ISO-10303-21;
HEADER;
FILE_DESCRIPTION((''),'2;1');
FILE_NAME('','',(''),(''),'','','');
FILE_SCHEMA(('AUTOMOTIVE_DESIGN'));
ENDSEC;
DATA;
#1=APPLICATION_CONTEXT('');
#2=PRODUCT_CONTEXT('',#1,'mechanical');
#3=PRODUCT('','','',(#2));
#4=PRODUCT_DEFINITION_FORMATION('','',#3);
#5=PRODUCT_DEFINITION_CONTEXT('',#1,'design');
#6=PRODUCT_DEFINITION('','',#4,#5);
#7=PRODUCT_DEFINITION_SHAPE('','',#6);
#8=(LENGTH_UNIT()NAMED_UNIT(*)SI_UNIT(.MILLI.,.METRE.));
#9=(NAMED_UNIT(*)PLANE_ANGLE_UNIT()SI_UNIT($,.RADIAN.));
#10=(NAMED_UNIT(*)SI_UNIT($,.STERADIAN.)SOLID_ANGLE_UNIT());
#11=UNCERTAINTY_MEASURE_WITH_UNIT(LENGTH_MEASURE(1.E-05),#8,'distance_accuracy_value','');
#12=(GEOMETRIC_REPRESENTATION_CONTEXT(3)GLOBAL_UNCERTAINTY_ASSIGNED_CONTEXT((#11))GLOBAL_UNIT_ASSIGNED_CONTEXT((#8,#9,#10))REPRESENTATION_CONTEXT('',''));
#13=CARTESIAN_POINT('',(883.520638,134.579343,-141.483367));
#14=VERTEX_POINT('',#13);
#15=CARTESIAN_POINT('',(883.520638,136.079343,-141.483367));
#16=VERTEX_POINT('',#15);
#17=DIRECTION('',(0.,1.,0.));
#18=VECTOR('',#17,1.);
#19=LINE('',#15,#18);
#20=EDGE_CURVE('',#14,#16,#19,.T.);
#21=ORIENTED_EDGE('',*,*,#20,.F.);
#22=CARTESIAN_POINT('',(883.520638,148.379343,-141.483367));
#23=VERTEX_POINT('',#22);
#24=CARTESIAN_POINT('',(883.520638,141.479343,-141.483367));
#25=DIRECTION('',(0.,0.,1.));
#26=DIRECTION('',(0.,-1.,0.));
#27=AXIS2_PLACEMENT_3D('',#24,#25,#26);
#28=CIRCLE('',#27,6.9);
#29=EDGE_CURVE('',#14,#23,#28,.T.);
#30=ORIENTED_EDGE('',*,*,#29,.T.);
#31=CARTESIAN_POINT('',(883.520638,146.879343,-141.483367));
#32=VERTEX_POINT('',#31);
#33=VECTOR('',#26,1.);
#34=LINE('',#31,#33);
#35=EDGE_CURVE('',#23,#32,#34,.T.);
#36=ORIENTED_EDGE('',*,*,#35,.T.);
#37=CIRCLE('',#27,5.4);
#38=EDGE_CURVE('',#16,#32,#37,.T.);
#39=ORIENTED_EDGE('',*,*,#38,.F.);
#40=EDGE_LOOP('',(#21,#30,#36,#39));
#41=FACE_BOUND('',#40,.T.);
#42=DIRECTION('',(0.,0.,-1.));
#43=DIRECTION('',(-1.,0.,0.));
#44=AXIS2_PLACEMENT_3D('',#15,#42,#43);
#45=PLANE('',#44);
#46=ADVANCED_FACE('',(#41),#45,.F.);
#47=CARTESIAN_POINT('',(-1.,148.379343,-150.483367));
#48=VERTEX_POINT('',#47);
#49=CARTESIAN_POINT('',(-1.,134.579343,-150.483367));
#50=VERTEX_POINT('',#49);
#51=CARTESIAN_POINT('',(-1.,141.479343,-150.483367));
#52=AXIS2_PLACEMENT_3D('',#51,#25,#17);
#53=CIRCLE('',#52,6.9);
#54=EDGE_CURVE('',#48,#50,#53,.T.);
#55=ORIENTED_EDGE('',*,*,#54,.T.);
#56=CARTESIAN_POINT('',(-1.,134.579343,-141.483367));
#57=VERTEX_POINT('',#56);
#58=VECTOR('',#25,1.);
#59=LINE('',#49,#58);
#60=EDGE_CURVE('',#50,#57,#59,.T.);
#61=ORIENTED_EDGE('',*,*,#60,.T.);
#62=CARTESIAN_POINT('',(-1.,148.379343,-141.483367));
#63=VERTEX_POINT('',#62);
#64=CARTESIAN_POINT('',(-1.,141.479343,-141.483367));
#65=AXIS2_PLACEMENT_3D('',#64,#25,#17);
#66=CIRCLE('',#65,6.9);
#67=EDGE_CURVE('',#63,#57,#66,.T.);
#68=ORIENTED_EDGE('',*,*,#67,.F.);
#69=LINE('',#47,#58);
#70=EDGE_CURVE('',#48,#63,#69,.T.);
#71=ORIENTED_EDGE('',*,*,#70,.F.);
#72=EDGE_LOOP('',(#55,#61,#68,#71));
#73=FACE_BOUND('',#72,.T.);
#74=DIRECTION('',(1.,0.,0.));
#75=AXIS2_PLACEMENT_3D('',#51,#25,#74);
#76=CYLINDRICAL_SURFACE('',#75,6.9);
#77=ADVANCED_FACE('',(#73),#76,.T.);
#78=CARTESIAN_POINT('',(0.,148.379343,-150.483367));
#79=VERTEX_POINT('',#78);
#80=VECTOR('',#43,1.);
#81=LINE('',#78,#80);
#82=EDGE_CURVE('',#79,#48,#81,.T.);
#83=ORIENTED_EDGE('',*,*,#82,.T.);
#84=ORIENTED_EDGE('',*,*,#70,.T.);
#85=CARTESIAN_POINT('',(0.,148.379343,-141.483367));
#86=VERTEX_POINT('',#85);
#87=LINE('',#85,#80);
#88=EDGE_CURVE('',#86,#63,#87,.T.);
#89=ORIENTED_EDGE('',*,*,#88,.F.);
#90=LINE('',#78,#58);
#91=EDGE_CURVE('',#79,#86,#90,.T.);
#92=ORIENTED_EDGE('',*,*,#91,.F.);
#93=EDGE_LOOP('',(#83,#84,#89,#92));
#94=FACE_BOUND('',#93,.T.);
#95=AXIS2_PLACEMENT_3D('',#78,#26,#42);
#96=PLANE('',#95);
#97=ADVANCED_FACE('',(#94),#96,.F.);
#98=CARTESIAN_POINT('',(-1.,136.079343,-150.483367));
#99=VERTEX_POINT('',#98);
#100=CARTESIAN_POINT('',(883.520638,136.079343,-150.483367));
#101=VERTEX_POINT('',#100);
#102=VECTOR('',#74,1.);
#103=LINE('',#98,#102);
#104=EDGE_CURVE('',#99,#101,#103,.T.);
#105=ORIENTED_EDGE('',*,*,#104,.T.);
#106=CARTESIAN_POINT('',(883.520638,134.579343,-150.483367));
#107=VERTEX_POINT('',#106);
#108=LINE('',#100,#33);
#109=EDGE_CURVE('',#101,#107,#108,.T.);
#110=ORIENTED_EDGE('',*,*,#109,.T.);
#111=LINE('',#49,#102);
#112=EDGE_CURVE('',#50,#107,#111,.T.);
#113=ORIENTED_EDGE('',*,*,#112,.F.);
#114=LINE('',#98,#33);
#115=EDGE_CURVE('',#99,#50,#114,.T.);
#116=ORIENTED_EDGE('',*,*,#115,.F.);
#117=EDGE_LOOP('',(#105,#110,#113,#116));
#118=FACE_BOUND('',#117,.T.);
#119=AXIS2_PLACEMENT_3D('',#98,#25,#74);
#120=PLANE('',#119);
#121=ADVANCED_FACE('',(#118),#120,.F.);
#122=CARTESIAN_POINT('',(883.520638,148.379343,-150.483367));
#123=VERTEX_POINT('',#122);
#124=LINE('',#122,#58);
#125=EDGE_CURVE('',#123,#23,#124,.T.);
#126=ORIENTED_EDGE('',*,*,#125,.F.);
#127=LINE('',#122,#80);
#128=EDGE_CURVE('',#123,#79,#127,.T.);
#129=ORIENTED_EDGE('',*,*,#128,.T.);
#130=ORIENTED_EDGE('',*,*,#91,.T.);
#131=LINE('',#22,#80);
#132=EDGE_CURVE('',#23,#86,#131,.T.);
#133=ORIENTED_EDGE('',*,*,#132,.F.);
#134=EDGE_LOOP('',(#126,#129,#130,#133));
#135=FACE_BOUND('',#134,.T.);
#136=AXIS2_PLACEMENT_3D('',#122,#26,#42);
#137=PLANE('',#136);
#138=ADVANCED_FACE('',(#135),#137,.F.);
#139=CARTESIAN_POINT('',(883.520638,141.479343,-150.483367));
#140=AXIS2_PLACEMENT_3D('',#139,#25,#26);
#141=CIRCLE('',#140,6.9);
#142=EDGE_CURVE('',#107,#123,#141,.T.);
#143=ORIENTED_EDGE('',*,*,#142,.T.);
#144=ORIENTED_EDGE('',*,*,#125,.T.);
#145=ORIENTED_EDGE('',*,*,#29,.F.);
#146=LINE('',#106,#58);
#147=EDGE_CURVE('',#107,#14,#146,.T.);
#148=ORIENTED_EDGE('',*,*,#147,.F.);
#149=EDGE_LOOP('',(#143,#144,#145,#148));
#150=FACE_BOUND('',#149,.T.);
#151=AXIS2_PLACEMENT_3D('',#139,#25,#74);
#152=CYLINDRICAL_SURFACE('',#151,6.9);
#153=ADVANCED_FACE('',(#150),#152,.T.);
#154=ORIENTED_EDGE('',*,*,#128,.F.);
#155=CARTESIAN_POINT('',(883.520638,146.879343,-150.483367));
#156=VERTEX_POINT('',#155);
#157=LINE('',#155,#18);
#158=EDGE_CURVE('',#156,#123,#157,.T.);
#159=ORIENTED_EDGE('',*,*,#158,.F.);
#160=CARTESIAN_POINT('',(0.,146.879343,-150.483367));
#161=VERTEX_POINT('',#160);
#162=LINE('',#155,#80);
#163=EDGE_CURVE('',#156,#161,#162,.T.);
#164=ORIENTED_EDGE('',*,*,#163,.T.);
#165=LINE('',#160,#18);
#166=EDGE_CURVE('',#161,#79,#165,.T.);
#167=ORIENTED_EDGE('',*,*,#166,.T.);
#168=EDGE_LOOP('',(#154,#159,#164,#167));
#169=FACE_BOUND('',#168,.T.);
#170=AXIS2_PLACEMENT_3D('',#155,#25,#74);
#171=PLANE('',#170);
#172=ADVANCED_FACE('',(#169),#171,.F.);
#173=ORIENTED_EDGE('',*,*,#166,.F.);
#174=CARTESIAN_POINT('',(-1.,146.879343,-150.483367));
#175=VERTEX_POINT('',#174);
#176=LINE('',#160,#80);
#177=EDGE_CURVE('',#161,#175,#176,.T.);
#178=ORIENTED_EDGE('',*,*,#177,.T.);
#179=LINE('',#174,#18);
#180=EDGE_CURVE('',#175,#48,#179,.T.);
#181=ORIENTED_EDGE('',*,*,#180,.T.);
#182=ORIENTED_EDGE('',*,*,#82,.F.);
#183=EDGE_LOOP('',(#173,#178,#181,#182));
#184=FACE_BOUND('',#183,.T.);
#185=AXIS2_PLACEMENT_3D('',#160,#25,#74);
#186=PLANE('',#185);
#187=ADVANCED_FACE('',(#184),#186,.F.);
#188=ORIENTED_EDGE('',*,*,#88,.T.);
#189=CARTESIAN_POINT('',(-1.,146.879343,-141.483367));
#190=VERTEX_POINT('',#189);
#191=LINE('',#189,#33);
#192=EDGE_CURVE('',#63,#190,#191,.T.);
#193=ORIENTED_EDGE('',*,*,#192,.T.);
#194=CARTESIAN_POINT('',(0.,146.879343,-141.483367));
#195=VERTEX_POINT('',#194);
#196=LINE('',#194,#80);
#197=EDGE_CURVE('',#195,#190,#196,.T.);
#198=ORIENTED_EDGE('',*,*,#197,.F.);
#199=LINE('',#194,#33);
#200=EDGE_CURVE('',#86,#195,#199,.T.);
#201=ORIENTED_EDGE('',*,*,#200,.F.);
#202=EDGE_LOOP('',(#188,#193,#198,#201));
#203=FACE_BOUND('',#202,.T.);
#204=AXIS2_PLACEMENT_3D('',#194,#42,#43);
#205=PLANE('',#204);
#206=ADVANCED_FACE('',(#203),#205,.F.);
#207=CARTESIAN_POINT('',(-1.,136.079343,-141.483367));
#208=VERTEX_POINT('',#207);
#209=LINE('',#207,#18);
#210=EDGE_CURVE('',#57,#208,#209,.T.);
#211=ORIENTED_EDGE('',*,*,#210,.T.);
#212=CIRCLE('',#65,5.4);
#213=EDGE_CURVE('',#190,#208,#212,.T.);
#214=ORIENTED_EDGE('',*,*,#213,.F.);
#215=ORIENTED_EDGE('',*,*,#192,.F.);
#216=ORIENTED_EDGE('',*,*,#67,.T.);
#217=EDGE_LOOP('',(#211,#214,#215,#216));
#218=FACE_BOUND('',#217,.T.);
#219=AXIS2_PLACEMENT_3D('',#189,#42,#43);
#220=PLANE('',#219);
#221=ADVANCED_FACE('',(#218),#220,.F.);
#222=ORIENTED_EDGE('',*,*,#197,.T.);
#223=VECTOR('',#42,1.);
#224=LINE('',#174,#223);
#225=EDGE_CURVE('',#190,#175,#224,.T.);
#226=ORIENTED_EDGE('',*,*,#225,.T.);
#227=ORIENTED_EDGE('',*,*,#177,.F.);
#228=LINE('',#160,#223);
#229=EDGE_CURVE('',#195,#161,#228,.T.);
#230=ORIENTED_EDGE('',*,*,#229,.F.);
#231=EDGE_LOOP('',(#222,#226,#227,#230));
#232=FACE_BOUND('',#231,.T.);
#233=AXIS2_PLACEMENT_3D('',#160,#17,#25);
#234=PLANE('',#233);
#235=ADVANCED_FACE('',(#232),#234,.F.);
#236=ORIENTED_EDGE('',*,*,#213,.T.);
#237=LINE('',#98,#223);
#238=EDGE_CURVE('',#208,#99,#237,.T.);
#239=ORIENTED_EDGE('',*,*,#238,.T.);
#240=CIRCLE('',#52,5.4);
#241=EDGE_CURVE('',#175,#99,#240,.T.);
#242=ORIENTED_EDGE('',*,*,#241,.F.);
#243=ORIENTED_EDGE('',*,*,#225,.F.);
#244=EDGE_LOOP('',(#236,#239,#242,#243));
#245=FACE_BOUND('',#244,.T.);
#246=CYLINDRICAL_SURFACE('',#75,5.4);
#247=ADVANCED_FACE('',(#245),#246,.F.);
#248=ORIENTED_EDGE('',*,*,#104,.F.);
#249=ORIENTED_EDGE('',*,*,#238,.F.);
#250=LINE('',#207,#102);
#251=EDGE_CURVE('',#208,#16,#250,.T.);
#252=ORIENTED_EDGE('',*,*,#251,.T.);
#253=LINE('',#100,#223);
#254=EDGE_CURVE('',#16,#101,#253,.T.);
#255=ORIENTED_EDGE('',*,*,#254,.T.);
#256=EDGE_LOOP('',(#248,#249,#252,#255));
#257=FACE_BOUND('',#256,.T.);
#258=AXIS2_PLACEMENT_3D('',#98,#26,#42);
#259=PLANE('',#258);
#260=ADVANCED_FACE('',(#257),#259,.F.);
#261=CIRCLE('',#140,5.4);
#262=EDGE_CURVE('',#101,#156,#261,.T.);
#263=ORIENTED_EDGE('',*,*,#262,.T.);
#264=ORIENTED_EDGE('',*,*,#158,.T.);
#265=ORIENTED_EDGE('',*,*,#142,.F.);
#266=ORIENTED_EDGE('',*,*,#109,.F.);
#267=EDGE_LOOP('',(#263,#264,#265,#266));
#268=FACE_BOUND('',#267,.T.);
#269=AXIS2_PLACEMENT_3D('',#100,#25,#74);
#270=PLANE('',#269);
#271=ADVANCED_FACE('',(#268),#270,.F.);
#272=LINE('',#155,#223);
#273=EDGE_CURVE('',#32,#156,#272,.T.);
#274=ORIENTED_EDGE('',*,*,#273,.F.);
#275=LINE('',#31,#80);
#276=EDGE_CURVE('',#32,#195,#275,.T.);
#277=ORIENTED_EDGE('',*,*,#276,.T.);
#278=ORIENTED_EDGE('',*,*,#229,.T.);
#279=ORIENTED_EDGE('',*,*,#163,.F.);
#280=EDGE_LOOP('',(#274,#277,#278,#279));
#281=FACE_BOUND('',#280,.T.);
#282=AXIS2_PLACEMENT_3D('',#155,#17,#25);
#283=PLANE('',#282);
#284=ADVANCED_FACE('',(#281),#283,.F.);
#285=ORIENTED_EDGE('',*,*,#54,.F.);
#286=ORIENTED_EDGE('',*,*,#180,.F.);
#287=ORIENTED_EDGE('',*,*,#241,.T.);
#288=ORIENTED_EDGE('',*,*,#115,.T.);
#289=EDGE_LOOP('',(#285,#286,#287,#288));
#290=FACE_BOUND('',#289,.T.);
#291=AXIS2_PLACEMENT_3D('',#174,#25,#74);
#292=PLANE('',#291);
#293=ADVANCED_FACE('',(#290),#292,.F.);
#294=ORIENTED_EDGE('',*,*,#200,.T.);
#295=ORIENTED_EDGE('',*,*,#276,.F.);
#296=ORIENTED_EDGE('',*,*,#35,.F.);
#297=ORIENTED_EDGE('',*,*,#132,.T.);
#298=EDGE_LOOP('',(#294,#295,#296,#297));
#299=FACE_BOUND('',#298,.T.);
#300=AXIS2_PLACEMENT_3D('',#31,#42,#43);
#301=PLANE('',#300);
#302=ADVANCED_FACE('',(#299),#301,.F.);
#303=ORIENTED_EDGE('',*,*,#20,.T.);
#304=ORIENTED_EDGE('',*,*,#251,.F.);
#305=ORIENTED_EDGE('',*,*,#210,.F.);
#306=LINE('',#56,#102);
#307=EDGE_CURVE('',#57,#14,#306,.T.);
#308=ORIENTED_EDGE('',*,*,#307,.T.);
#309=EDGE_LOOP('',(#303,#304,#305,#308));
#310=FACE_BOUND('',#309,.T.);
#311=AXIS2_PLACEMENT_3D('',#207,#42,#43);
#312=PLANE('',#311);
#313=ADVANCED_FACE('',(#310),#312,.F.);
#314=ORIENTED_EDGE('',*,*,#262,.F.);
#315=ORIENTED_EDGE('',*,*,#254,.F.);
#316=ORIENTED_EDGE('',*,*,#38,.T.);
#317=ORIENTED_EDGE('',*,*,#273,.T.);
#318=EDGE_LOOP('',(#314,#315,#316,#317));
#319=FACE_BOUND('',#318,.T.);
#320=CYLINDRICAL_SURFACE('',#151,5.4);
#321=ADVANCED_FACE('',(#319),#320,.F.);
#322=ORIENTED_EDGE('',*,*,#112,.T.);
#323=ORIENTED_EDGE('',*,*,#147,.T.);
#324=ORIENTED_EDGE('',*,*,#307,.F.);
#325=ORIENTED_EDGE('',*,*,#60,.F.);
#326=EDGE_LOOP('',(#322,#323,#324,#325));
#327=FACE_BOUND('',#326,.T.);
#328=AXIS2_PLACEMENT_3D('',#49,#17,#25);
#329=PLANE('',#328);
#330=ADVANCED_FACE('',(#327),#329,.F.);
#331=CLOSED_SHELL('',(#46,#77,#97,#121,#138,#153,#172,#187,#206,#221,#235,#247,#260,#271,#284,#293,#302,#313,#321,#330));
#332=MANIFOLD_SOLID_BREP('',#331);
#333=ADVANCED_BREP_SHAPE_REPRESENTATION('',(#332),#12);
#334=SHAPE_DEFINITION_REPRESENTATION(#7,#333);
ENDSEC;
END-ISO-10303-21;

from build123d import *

# Parameters (mm, degrees)
SKETCH3_W = 9
SKETCH3_H = 1.5


with BuildPart() as part:
    # Sweep1: sweep along a path in Sketch2
    with BuildLine(Plane.XY.offset(-150.483366658)) as sweep1_path:
        Line((-1, 148.379342702), (883.52063783, 148.379342702))
        ThreePointArc((883.52063783, 148.379342702), (890.42063783, 141.479342703), (883.52063783, 134.579342702))
        Line((883.52063783, 134.579342702), (-1, 134.579342702))
        ThreePointArc((-1, 134.579342702), (-7.9, 141.479342702), (-1, 148.379342702))
    # Sketch3 → Sweep1 (sweep)
    with BuildSketch(Plane(origin=(0, 0, 0), x_dir=(0, 0, -1), z_dir=(1, 0, 0))):
        with Locations((145.983366658, 147.629342702)):
            Rectangle(SKETCH3_W, SKETCH3_H)
    sweep(path=sweep1_path.line)


solid = part.part
